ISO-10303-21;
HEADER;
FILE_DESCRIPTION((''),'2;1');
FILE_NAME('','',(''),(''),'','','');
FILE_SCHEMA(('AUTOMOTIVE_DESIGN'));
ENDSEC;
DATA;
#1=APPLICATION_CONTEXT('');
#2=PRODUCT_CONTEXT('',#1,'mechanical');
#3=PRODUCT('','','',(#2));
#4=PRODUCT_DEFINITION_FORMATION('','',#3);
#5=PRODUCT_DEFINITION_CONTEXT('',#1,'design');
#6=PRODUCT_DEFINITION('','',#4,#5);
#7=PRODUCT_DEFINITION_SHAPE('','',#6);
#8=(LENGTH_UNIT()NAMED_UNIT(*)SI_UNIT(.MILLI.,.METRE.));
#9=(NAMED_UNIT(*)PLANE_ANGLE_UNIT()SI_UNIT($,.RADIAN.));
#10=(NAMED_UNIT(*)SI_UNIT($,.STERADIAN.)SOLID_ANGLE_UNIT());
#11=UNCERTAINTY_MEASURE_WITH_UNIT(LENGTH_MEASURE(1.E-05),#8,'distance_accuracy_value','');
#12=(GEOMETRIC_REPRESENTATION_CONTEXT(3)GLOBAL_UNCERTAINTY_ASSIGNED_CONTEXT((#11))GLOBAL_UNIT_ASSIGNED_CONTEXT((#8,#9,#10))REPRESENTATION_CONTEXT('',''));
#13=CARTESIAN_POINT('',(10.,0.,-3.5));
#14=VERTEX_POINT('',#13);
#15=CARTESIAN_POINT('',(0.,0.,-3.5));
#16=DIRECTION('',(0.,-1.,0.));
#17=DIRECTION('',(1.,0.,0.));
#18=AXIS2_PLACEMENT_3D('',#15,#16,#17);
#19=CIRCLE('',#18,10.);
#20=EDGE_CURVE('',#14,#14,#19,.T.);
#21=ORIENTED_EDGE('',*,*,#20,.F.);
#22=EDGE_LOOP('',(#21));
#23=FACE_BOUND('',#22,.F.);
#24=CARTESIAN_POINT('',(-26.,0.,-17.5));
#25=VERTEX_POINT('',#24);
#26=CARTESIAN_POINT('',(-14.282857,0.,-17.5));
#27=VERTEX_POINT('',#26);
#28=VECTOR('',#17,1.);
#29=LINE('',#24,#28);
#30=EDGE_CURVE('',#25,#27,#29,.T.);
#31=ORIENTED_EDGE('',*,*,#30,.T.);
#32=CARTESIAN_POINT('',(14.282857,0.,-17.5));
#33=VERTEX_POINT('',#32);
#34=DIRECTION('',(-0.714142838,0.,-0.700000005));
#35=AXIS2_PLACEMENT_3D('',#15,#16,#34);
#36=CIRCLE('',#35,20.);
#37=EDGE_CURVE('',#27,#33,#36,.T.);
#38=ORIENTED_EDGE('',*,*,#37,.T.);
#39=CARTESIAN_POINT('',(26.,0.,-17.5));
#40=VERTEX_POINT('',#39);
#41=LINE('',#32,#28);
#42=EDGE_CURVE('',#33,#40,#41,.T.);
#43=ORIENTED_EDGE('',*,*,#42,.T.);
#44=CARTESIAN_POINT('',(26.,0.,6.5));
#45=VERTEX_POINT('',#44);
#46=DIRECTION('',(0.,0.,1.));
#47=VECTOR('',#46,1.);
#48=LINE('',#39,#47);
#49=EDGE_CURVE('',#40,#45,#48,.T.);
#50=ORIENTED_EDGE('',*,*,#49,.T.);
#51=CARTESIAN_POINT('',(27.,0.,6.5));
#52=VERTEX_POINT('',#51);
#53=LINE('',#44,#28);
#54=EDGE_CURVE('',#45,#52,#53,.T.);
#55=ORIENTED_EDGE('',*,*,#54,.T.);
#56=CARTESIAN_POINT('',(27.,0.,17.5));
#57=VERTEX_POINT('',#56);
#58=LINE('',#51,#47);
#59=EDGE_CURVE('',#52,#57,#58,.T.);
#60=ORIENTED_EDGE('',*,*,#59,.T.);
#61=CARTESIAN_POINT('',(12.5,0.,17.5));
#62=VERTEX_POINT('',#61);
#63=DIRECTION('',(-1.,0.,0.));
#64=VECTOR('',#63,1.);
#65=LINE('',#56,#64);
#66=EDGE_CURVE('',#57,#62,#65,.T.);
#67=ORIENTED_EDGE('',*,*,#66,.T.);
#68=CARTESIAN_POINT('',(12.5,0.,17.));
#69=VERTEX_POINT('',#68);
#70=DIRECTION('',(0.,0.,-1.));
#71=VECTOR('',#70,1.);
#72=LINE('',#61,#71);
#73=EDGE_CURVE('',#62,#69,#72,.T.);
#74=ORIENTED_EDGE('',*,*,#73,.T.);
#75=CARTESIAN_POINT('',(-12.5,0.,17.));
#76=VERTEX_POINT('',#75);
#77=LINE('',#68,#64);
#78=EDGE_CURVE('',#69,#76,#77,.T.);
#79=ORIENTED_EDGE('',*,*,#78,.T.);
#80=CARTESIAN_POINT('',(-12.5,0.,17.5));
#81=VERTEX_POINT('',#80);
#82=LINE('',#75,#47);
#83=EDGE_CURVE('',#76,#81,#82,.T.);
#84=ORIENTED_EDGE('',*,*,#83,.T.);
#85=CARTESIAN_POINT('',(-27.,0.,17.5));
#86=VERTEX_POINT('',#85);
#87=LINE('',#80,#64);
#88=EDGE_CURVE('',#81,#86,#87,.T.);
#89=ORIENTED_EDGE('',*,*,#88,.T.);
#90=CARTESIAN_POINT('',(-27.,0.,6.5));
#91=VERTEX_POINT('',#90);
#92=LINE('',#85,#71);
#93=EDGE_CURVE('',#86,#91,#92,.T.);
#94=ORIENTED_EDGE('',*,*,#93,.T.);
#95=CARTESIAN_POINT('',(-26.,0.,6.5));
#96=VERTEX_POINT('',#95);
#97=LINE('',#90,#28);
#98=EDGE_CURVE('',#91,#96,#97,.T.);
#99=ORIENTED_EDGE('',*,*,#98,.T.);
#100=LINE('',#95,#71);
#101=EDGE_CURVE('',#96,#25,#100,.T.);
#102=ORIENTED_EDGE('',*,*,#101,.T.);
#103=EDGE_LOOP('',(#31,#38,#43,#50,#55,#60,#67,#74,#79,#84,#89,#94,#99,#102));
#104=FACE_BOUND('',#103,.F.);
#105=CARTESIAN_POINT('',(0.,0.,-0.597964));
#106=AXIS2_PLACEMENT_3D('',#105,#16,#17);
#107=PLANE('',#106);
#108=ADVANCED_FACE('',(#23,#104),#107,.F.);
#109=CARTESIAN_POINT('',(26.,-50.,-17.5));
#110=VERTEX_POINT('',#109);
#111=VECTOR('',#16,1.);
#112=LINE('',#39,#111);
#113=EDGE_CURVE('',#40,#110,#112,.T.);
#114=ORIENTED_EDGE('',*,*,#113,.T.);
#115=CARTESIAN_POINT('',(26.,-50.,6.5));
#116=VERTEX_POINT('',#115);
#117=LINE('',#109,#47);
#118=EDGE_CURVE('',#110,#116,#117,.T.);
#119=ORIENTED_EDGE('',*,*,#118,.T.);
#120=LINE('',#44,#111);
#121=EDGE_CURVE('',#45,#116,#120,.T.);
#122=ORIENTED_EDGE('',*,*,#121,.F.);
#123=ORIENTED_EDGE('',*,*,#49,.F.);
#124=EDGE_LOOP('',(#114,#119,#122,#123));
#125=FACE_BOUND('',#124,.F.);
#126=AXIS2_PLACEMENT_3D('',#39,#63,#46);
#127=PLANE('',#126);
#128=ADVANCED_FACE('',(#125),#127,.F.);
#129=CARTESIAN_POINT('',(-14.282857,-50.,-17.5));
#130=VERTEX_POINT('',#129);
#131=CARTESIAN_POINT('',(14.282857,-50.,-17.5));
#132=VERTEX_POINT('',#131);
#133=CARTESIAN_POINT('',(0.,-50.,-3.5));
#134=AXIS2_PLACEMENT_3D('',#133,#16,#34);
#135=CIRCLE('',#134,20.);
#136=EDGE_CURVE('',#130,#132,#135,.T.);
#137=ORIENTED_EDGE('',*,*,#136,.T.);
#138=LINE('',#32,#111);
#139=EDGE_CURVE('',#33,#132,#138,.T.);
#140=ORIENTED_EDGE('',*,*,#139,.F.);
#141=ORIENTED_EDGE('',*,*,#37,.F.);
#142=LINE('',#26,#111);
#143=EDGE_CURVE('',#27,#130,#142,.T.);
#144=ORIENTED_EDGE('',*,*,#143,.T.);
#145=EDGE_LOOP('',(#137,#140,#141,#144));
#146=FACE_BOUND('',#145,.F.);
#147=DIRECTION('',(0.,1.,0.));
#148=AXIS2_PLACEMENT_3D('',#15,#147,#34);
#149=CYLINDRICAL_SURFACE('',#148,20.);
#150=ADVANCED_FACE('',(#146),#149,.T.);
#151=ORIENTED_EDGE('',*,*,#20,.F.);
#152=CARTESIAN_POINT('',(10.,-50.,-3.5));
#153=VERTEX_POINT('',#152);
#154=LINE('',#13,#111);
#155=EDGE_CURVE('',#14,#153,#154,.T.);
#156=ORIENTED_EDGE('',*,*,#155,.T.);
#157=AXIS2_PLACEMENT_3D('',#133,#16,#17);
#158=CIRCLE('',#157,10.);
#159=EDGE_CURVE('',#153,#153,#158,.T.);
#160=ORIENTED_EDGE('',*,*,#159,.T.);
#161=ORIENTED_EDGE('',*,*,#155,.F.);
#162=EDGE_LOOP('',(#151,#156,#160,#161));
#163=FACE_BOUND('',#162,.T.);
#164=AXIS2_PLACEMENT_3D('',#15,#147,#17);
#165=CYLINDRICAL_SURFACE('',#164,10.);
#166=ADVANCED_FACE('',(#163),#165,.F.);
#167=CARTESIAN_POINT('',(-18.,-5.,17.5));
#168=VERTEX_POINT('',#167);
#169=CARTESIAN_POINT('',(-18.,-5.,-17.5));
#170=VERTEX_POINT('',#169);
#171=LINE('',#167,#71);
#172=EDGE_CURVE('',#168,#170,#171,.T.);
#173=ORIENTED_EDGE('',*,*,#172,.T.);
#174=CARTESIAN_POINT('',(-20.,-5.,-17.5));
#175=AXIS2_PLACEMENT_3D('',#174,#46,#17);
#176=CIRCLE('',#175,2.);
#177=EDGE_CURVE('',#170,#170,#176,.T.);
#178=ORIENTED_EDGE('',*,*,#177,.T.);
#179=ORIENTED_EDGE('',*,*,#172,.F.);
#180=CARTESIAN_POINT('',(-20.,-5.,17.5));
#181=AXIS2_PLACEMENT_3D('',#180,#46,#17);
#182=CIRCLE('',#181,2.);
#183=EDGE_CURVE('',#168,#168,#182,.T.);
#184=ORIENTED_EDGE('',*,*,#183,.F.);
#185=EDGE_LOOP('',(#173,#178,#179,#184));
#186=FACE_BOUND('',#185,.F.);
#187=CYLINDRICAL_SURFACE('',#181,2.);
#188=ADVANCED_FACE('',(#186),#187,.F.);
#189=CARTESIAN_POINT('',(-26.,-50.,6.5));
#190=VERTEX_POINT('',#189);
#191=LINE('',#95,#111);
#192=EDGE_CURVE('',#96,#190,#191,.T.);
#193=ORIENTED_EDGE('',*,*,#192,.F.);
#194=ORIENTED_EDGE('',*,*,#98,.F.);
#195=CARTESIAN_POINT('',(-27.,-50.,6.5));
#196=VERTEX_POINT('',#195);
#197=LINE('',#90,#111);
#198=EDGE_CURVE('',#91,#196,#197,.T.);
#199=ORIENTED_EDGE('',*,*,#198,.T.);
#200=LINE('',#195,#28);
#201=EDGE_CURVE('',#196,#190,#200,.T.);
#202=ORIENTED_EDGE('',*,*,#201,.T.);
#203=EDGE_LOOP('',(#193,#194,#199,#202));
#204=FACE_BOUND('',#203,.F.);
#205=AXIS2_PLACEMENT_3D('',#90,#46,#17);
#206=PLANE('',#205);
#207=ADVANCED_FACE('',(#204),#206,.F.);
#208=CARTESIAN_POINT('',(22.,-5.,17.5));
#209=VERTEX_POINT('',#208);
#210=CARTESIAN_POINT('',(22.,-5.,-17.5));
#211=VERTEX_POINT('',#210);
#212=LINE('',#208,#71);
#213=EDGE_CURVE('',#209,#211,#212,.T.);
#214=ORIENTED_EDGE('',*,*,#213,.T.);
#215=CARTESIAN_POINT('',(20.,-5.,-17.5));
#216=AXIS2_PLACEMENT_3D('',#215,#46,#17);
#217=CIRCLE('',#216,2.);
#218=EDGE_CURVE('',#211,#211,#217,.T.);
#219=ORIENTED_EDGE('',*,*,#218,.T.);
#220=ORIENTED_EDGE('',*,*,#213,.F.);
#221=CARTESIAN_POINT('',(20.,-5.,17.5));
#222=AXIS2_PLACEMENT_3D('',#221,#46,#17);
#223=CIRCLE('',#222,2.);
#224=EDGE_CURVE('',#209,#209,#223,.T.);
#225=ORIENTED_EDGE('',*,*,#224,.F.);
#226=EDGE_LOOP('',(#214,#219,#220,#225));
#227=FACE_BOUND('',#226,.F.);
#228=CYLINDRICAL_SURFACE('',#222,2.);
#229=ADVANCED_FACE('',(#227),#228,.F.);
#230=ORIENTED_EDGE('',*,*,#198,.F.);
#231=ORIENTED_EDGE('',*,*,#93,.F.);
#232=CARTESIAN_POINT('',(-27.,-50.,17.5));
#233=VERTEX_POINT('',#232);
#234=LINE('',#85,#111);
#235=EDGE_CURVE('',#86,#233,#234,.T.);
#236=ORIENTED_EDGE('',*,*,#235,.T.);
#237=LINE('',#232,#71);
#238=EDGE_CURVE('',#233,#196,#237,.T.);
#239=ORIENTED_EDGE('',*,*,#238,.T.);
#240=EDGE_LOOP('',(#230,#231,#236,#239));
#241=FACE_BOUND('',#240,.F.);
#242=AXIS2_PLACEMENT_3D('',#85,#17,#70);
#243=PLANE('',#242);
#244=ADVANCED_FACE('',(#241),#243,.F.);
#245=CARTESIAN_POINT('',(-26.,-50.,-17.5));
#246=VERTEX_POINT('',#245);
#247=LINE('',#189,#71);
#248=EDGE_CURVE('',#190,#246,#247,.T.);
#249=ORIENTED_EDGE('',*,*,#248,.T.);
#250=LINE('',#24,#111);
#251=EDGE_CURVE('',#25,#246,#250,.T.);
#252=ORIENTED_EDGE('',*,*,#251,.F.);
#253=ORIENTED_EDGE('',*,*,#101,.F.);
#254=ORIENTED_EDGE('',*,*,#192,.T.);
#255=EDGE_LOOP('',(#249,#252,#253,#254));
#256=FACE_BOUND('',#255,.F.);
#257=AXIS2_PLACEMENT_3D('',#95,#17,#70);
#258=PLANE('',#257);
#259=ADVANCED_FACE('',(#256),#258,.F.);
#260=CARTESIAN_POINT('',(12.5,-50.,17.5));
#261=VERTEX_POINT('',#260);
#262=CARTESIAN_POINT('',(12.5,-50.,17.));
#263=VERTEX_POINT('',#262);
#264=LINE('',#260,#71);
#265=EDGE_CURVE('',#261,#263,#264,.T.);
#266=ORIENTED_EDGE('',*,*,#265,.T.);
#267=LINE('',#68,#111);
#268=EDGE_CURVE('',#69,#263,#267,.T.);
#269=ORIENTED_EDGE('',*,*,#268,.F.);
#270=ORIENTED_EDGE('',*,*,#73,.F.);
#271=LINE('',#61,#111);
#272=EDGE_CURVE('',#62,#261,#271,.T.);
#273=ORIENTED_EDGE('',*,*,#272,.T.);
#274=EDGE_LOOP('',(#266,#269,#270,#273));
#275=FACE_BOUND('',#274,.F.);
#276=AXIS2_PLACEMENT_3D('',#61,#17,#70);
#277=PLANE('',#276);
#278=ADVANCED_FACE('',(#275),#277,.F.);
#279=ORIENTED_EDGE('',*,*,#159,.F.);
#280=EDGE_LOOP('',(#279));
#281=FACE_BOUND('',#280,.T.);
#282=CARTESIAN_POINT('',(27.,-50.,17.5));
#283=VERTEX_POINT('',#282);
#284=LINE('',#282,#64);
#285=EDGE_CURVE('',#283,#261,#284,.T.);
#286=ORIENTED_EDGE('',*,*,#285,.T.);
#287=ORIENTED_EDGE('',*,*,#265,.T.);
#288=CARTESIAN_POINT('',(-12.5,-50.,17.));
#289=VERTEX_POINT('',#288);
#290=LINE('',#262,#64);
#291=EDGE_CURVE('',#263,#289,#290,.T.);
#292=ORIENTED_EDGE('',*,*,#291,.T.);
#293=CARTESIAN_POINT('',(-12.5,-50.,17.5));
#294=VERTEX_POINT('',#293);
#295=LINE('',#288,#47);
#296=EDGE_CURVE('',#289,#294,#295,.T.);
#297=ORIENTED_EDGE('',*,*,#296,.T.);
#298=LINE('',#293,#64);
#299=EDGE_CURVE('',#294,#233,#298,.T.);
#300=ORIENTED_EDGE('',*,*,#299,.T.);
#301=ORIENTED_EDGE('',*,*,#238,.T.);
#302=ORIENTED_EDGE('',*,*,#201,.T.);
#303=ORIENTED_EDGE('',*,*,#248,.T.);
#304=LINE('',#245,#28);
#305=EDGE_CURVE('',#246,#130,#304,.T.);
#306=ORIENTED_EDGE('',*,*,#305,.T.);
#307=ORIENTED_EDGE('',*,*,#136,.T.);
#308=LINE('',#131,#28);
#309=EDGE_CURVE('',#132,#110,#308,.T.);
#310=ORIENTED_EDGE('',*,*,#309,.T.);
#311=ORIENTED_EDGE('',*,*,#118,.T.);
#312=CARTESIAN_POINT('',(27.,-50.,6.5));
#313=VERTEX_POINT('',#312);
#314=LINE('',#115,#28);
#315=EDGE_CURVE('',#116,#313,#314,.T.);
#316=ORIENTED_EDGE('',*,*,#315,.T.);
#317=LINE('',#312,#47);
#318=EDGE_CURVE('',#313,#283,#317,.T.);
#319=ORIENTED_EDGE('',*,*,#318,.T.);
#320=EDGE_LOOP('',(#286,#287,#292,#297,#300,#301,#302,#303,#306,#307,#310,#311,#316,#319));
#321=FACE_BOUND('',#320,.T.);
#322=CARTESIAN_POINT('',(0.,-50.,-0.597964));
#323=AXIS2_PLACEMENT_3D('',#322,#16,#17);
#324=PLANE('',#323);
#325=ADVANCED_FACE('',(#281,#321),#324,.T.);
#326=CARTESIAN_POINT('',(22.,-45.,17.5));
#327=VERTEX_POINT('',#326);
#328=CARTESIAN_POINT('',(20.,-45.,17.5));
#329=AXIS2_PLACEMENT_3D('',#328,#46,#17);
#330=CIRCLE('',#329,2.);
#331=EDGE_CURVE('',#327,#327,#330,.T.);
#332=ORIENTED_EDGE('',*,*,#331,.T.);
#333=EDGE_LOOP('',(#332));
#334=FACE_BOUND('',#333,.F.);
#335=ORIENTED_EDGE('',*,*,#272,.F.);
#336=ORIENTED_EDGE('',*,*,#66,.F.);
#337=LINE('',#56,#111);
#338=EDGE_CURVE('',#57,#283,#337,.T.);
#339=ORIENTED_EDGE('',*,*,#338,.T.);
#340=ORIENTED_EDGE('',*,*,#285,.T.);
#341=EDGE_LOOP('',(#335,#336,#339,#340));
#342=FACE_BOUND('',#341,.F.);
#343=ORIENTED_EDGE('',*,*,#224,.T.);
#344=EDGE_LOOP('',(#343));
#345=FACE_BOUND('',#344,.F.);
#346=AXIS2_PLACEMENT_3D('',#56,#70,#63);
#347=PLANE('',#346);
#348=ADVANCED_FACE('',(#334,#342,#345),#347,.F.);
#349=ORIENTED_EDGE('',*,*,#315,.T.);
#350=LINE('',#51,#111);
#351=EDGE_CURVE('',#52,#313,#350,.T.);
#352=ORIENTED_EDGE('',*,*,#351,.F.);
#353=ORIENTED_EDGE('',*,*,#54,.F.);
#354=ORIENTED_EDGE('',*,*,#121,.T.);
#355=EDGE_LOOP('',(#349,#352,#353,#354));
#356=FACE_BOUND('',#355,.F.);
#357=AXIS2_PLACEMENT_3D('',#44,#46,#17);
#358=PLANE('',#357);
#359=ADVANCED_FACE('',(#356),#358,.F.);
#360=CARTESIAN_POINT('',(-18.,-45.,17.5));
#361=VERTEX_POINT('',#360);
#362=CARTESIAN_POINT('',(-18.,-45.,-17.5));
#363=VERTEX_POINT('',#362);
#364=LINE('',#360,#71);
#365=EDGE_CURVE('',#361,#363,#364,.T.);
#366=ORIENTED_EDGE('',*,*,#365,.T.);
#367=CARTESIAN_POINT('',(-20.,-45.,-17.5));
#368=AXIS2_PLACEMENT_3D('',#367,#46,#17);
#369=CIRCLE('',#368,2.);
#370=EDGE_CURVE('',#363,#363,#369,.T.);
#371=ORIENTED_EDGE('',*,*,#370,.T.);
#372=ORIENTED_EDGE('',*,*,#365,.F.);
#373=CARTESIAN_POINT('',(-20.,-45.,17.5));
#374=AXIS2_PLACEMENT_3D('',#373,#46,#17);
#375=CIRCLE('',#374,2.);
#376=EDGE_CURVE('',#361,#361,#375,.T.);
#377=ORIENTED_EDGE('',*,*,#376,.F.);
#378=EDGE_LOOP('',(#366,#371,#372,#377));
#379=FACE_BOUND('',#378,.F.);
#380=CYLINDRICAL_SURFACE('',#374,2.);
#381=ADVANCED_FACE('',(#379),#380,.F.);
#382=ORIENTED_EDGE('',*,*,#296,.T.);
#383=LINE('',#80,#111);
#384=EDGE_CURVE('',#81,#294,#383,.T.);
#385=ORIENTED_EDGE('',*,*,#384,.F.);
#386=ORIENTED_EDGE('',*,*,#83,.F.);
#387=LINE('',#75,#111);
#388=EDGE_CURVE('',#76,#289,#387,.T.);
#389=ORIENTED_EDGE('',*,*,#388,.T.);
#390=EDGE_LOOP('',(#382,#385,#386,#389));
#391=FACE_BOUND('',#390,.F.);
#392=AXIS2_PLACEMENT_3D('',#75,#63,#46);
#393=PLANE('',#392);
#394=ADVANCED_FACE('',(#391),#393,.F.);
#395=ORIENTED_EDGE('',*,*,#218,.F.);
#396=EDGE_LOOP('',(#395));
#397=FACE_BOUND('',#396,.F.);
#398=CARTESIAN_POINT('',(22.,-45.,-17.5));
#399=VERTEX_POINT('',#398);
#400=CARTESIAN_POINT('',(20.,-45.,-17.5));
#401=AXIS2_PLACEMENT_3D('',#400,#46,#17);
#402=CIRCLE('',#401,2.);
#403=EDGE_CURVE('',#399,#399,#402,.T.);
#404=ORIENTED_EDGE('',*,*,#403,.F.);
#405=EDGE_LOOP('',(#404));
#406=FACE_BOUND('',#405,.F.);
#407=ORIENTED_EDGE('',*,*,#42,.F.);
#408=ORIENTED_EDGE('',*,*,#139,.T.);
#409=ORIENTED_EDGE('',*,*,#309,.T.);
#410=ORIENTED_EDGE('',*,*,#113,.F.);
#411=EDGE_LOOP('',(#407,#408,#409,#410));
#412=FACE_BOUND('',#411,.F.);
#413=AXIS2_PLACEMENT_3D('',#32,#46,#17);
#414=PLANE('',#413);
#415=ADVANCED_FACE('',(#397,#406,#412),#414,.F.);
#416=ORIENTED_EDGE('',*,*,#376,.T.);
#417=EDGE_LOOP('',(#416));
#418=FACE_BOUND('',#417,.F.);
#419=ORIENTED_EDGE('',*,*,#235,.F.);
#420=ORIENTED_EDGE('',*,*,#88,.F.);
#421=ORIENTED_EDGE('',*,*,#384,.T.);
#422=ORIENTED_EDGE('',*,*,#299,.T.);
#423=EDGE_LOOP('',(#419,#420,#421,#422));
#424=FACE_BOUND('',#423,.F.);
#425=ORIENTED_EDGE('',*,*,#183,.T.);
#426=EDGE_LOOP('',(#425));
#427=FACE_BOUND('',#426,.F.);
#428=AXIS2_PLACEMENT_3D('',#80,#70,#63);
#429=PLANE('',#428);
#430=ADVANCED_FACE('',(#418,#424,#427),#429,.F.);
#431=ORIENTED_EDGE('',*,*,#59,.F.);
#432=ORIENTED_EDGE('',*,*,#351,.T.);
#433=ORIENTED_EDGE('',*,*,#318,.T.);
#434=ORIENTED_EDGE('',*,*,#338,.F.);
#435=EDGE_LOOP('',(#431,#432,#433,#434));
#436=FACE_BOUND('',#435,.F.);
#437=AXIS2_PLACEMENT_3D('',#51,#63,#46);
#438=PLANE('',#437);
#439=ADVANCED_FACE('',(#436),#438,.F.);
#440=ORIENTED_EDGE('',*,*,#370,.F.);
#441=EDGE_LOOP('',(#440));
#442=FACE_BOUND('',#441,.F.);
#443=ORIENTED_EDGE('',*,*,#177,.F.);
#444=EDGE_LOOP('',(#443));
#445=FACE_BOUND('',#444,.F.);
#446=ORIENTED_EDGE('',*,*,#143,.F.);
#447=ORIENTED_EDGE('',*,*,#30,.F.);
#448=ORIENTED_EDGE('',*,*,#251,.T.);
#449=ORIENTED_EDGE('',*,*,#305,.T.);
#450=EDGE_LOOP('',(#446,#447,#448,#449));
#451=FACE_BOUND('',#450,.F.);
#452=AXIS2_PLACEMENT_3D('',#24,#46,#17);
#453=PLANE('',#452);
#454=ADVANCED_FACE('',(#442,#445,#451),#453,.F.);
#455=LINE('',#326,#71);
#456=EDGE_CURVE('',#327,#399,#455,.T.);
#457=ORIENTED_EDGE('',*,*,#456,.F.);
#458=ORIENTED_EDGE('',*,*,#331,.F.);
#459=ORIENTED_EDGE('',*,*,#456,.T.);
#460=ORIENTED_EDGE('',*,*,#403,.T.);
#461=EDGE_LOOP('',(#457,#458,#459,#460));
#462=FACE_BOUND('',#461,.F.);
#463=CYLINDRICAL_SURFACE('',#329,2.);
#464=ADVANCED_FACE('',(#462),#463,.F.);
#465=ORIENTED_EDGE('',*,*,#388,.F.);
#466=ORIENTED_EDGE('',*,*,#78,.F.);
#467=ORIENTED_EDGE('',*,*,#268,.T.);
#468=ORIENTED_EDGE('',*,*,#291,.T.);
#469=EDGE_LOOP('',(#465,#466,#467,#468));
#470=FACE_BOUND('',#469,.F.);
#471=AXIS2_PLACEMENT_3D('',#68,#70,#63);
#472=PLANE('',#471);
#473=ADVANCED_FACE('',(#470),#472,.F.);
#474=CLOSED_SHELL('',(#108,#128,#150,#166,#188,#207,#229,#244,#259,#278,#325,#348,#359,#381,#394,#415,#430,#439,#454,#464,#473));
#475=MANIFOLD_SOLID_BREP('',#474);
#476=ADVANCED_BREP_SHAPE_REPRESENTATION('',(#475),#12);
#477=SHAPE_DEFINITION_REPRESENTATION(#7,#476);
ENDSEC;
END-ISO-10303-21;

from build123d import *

# Parameters (mm, degrees)
F0_R     = 10
F1_DEPTH = 50
F2_R     = 2
F3_DEPTH = 41.001


with BuildPart() as f1:
    # F0 (on Front) → F1 (new body)
    with BuildSketch(Plane.XZ):
        with BuildLine():
            Line((14.282857, -17.5), (26, -17.5))
            Line((26, -17.5), (26, 6.5))
            Line((26, 6.5), (27, 6.5))
            Line((27, 6.5), (27, 17.5))
            Line((27, 17.5), (12.5, 17.5))
            Line((12.5, 17.5), (12.5, 17))
            Line((12.5, 17), (-12.5, 17))
            Line((-12.5, 17), (-12.5, 17.5))
            Line((-12.5, 17.5), (-27, 17.5))
            Line((-27, 17.5), (-27, 6.5))
            Line((-27, 6.5), (-26, 6.5))
            Line((-26, 6.5), (-26, -17.5))
            Line((-26, -17.5), (-14.282857, -17.5))
            ThreePointArc((-14.282857, -17.5), (0, -23.5), (14.282857, -17.5))
        make_face()
        with Locations((0, -3.5)):
            Circle(F0_R, mode=Mode.SUBTRACT)
    extrude(amount=F1_DEPTH)

    # F2 (on face) → F3 (cut, through all)
    with BuildSketch(Plane.XY.offset(17.5)):
        with Locations((20, -45)):
            Circle(F2_R)
        with Locations((-20, -45)):
            Circle(F2_R)
        with Locations((-20, -5)):
            Circle(F2_R)
        with Locations((20, -5)):
            Circle(F2_R)
    extrude(amount=-F3_DEPTH, mode=Mode.SUBTRACT)


solid = f1.part
